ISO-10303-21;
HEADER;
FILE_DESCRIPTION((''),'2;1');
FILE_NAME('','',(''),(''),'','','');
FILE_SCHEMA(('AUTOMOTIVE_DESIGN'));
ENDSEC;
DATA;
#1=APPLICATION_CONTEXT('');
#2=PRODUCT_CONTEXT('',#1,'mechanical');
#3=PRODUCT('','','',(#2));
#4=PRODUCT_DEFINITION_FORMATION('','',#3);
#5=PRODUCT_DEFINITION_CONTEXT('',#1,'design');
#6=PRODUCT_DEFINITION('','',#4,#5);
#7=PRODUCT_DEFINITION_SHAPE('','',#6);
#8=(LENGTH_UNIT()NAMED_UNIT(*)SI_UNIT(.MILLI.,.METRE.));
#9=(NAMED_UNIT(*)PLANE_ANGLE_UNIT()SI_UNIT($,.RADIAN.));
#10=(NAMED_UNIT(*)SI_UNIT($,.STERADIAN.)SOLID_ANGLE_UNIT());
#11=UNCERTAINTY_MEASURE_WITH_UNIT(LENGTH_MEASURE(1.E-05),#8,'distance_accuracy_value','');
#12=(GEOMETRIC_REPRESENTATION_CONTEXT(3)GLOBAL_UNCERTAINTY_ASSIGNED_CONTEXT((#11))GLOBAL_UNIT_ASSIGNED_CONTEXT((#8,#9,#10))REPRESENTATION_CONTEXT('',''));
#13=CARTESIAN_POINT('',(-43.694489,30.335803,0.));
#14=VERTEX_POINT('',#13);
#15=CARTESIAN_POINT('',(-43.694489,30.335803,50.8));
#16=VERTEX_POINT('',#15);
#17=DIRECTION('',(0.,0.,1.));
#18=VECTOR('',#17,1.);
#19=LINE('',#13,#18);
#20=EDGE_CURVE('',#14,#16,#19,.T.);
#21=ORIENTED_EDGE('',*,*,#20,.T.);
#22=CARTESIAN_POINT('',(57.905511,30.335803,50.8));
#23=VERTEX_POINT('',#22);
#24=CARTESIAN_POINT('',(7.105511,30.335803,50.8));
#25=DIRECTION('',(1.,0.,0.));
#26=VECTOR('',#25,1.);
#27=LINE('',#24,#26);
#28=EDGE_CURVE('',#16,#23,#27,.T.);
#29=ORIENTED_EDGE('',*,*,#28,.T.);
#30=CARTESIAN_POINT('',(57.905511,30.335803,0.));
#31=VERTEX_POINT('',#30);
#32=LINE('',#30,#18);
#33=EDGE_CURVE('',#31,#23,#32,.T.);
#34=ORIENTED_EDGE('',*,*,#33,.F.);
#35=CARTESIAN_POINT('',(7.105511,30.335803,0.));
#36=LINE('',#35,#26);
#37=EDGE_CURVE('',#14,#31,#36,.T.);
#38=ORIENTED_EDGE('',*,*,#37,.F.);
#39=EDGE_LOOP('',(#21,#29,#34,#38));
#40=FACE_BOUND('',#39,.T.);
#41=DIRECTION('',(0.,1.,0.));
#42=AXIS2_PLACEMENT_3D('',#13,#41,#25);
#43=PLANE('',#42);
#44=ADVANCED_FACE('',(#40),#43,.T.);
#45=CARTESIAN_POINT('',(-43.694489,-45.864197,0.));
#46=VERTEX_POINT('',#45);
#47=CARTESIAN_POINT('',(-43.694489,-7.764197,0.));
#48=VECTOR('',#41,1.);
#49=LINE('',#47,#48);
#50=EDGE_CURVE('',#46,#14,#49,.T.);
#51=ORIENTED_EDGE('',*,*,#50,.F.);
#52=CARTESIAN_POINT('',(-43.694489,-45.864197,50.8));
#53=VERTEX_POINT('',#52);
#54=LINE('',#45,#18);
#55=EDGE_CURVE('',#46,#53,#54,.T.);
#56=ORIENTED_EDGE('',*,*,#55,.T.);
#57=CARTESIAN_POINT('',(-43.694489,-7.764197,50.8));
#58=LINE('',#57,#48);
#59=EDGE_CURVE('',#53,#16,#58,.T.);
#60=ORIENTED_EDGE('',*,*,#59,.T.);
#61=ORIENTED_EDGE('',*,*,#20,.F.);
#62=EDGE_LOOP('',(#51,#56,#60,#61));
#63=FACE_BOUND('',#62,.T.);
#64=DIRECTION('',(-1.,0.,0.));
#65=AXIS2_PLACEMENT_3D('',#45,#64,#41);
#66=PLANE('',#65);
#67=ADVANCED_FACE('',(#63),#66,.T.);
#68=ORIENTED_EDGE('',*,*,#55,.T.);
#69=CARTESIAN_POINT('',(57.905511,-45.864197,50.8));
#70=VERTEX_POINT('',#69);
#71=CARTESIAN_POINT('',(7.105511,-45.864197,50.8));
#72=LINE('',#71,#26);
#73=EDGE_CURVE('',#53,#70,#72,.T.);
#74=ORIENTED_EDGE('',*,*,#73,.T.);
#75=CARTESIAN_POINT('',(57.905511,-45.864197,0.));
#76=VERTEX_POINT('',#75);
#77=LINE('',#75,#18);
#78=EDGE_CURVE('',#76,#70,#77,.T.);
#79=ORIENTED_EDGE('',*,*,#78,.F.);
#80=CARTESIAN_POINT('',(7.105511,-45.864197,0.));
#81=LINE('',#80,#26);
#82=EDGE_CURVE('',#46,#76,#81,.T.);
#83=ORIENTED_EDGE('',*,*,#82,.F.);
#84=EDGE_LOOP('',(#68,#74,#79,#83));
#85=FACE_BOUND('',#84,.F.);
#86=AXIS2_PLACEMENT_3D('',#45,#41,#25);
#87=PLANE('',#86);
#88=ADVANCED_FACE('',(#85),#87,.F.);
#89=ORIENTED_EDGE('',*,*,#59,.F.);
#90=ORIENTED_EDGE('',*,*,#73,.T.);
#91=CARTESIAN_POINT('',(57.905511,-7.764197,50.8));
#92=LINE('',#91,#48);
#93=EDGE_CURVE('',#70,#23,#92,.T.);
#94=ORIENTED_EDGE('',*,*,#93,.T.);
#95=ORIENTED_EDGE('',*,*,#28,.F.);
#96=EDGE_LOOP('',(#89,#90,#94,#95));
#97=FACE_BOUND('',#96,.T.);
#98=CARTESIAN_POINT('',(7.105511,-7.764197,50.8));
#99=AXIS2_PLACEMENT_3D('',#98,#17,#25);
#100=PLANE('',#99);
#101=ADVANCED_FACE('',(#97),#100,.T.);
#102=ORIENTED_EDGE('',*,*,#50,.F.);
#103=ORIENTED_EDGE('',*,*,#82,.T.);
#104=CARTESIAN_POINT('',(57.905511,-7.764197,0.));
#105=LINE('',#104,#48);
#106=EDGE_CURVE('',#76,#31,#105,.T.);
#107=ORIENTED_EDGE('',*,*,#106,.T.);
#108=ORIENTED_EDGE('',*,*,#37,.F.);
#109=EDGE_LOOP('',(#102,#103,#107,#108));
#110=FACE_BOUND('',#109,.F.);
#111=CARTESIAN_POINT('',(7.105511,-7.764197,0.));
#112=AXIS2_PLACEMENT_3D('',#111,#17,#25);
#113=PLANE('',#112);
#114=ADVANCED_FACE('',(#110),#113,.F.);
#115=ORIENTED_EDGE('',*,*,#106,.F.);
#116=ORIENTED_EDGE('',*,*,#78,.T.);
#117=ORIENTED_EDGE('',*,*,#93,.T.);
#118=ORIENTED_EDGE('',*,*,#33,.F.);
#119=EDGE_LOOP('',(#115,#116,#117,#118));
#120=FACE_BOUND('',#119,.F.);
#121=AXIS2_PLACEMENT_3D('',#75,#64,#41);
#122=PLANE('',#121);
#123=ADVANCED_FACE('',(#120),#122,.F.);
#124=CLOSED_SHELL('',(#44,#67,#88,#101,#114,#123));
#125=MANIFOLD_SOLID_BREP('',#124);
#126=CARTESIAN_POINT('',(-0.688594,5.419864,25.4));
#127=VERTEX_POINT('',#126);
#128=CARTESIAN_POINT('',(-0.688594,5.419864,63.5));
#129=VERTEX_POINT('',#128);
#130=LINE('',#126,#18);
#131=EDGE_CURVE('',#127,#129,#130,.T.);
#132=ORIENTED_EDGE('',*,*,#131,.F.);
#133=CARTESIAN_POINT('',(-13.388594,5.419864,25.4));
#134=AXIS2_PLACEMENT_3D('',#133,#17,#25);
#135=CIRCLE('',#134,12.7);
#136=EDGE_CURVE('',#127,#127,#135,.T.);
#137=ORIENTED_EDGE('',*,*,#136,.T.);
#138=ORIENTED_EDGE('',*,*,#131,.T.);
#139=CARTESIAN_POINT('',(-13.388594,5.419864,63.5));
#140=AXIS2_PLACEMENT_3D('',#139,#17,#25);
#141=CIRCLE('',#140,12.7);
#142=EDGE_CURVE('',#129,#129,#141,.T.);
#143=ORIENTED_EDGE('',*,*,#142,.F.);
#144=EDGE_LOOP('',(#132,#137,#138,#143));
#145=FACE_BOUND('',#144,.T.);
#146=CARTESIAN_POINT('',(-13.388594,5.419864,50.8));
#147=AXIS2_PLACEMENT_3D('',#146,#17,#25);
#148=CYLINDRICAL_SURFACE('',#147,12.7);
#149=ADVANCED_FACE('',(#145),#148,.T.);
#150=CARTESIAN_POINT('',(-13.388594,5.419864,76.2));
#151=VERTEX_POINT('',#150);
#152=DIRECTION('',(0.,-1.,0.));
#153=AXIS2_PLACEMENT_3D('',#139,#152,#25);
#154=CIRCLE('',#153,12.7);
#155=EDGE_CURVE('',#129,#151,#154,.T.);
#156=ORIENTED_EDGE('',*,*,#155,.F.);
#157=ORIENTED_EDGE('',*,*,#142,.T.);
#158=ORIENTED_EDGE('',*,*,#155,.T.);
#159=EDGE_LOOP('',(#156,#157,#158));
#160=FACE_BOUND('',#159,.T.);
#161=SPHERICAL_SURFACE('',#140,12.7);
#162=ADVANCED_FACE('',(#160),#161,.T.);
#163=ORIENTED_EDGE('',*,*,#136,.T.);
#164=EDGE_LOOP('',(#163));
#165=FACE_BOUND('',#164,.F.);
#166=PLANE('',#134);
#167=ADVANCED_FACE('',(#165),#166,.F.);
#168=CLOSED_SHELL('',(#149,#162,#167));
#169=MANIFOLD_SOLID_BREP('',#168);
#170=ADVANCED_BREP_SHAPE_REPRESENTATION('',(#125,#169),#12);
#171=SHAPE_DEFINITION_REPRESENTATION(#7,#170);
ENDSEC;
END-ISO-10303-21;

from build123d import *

# Parameters (mm, degrees)
F0_W          = 101.6
F0_H          = 76.2
F1_DEPTH      = 50.8
F2_R          = 12.7
F3_DEPTH      = 25.4
F3_DEPTH_BACK = 25.4
F4_R          = 12.7


with BuildPart() as f1:
    # F0 (on Top) → F1 (new body)
    with BuildSketch(Plane.XY):
        with Locations((7.105511, -7.764197)):
            Rectangle(F0_W, F0_H)
    extrude(amount=F1_DEPTH)


with BuildPart() as f3:
    # F2 (on face) → F3 (new body, two sides)
    with BuildSketch(Plane.XY.offset(50.8)) as f3_sk:
        with Locations((-13.388594, 5.419864)):
            Circle(F2_R)
    extrude(amount=F3_DEPTH)
    extrude(f3_sk.sketch, amount=-F3_DEPTH_BACK)

    # F4
    f4_edges = [f3.edges().sort_by_distance(p)[0] for p in [
        (-26.088594, 5.419864, 76.2),
    ]]
    fillet(f4_edges, radius=F4_R)


solid = Compound([f1.part, f3.part])
